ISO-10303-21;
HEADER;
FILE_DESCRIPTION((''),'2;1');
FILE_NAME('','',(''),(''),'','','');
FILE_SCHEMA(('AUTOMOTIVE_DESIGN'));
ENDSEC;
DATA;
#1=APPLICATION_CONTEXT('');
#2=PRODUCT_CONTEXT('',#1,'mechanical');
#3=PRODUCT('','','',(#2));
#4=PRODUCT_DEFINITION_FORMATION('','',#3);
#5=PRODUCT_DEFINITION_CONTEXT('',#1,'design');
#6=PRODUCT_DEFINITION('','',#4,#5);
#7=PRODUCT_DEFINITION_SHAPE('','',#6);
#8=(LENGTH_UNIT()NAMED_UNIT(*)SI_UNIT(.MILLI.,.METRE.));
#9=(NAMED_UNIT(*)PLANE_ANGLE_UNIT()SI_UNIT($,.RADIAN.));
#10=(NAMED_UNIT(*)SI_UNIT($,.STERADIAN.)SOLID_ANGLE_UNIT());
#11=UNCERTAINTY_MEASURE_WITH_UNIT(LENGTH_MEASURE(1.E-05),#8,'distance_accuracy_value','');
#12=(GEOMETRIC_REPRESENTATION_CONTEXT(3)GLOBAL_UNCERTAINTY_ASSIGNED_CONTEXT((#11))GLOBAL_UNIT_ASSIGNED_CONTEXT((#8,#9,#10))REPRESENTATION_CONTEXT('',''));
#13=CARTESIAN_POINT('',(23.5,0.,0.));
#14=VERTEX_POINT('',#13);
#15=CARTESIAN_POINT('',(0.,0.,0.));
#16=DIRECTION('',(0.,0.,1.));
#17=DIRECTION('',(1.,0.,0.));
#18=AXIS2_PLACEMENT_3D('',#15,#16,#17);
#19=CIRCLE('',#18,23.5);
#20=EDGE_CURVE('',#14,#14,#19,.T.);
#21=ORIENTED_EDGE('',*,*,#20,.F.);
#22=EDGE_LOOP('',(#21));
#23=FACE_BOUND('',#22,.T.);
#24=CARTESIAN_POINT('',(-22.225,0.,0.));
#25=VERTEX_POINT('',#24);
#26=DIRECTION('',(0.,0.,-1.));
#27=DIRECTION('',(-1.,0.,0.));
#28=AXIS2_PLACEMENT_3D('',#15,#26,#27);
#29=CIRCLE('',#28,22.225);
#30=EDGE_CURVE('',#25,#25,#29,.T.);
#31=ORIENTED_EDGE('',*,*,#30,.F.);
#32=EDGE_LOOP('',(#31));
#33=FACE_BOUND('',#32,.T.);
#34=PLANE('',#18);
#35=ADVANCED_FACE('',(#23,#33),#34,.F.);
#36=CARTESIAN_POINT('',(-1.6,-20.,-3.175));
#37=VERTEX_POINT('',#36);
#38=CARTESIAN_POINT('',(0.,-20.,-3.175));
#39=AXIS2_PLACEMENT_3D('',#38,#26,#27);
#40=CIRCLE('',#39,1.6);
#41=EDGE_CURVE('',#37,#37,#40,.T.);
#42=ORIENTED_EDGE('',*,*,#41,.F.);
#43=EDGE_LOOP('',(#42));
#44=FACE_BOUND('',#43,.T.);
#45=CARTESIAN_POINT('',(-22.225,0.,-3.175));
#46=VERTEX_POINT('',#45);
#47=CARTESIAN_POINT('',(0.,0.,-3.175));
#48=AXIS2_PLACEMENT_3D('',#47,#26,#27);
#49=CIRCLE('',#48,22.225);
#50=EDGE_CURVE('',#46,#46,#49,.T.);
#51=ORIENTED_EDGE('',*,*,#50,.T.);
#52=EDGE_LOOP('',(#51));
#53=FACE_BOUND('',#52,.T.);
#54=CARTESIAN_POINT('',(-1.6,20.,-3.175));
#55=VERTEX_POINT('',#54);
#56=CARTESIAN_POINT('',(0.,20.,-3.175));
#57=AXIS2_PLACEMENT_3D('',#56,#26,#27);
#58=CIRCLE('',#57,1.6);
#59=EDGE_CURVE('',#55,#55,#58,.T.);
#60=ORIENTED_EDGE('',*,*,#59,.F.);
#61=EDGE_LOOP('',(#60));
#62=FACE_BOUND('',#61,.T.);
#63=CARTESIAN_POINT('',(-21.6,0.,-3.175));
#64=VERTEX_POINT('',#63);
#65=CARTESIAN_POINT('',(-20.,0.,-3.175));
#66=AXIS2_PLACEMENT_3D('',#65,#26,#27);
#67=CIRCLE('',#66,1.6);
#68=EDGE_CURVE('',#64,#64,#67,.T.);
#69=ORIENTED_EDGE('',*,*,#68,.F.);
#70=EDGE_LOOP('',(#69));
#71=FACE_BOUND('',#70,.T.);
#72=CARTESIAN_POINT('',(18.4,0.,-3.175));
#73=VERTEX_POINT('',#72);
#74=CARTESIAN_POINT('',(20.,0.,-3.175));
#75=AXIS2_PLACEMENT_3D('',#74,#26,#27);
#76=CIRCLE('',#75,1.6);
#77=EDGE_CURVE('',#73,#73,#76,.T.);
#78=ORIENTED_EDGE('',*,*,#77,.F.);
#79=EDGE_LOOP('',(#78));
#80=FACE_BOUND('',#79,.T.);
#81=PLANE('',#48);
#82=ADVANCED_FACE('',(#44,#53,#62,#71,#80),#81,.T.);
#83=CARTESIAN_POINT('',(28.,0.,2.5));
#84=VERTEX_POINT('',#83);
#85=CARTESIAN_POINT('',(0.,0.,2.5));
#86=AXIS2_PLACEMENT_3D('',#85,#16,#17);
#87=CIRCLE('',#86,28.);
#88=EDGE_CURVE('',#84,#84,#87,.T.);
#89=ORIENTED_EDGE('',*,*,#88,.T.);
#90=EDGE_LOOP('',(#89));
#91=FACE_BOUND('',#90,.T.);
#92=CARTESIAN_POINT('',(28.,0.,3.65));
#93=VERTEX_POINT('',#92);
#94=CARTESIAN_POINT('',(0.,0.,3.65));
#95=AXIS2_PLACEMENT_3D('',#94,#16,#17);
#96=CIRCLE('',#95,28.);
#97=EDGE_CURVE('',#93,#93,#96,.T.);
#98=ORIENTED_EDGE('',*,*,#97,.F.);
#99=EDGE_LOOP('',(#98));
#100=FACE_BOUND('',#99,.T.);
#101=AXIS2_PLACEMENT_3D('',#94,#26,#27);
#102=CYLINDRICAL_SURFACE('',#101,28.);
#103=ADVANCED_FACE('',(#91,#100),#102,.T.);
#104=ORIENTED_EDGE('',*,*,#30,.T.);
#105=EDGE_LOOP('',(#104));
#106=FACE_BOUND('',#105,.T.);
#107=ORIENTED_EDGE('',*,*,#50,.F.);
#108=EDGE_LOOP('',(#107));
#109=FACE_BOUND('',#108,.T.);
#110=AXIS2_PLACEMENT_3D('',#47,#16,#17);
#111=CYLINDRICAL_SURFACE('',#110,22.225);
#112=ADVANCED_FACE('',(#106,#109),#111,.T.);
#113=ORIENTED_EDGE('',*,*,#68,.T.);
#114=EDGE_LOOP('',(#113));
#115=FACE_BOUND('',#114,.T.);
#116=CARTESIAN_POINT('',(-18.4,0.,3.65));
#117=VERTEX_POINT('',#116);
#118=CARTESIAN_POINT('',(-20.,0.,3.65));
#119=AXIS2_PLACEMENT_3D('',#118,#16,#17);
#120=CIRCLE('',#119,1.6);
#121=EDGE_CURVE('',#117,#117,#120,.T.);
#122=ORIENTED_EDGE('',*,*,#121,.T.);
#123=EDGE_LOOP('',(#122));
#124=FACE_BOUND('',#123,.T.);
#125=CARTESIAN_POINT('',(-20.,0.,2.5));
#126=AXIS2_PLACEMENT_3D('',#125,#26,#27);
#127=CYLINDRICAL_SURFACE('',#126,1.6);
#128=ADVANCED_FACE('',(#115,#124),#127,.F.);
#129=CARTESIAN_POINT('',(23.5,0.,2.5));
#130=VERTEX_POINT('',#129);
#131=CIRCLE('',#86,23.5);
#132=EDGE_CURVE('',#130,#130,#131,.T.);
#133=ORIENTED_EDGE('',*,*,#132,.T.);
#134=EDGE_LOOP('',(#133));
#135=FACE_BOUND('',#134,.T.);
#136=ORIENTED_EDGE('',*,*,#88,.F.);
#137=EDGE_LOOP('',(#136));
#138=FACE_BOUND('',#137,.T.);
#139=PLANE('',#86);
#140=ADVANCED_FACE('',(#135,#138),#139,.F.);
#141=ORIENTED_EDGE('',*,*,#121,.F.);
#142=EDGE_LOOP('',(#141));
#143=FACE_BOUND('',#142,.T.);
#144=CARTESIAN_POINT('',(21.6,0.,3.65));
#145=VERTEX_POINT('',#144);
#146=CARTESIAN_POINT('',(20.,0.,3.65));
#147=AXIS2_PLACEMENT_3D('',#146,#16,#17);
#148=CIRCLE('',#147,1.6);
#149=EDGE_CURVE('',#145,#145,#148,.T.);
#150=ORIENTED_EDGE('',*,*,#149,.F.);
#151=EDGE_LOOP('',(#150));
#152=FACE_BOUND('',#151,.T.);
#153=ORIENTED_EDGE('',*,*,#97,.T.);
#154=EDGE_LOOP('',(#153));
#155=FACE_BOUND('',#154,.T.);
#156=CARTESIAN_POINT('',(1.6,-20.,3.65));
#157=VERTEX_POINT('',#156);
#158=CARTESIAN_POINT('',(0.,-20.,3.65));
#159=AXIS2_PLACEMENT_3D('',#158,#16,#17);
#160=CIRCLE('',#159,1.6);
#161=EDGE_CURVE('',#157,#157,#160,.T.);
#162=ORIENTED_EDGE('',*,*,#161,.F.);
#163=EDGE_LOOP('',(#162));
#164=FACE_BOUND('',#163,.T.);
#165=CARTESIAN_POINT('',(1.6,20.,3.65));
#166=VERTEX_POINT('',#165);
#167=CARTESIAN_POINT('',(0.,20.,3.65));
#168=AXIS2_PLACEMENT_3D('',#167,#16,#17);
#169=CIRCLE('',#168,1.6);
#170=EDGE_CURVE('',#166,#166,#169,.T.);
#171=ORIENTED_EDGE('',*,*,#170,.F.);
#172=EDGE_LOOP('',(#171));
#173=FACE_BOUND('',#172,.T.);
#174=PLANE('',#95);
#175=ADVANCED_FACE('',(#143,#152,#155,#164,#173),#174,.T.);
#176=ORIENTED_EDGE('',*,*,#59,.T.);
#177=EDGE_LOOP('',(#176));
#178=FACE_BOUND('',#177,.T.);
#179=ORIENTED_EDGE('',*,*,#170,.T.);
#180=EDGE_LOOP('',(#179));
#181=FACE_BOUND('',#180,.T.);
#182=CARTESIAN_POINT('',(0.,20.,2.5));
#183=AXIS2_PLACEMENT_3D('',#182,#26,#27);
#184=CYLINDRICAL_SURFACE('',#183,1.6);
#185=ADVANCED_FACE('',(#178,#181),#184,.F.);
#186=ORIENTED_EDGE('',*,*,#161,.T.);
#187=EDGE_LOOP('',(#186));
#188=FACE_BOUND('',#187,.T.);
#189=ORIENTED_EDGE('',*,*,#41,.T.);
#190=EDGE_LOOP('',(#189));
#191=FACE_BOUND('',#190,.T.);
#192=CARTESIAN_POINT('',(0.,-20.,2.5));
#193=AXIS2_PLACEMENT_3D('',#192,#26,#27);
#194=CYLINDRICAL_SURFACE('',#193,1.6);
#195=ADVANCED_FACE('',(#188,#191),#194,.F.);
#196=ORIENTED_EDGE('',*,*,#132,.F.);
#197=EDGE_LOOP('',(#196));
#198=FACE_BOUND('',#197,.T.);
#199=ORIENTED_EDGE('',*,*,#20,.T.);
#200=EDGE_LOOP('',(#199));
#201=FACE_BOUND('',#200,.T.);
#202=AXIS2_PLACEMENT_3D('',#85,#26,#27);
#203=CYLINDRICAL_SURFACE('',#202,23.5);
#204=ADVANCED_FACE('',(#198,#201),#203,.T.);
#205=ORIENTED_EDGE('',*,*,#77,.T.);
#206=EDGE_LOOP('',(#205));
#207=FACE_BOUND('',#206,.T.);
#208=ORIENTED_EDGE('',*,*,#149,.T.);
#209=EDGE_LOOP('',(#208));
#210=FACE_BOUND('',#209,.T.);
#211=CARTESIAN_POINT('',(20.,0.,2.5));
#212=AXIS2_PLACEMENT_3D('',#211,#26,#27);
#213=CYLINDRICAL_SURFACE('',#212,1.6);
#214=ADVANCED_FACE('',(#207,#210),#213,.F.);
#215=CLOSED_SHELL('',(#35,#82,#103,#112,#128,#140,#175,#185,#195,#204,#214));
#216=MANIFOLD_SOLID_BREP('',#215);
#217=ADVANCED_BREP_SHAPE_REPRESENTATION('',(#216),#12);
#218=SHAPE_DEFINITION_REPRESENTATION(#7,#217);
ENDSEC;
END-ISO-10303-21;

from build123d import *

# Parameters (mm, degrees)
SKETCH_1_R          = 23.5
EXTRUDE_1_DEPTH     = 2.5
SKETCH_2_R          = 22.225
EXTRUDE_2_DEPTH     = 3.175
SKETCH_3_R          = 1.6
CUT_EXTRUDE_1_DEPTH = 34.715065253
SKETCH_4_R          = 28
SKETCH_4_R_2        = 1.6
EXTRUDE_3_DEPTH     = 1.15


with BuildPart() as part:
    # ｽｹｯﾁ1 → ﾎﾞｽ - 押し出し1 (new body)
    with BuildSketch(Plane.XY):
        Circle(SKETCH_1_R)
    extrude(amount=EXTRUDE_1_DEPTH)

    # ｽｹｯﾁ2 → ﾎﾞｽ - 押し出し2 (add)
    with BuildSketch(Plane(origin=(0, 0, 0), x_dir=(-1, 0, 0), z_dir=(0, 0, -1))):
        Circle(SKETCH_2_R)
    extrude(amount=EXTRUDE_2_DEPTH)

    # ｽｹｯﾁ3 → ｶｯﾄ - 押し出し1 (cut, through all)
    with BuildSketch(Plane(origin=(0, 0, -3.175), x_dir=(-1, 0, 0), z_dir=(0, 0, -1))):
        with Locations((0, 20)):
            Circle(SKETCH_3_R)
        with Locations((20, 0)):
            Circle(SKETCH_3_R)
        with Locations((0, -20)):
            Circle(SKETCH_3_R)
        with Locations((-20, 0)):
            Circle(SKETCH_3_R)
    extrude(amount=-CUT_EXTRUDE_1_DEPTH, mode=Mode.SUBTRACT)

    # ｽｹｯﾁ4 → ﾎﾞｽ - 押し出し3 (add)
    with BuildSketch(Plane.XY.offset(2.5)):
        Circle(SKETCH_4_R)
        with Locations(Location((0, 20, 0), (0, 0, 180))):
            Circle(SKETCH_4_R_2, mode=Mode.SUBTRACT)
        with Locations(Location((-20, 0, 0), (0, 0, 180))):
            Circle(SKETCH_4_R_2, mode=Mode.SUBTRACT)
        with Locations(Location((0, -20, 0), (0, 0, 180))):
            Circle(SKETCH_4_R_2, mode=Mode.SUBTRACT)
        with Locations(Location((20, 0, 0), (0, 0, 180))):
            Circle(SKETCH_4_R_2, mode=Mode.SUBTRACT)
    extrude(amount=EXTRUDE_3_DEPTH)


solid = part.part
